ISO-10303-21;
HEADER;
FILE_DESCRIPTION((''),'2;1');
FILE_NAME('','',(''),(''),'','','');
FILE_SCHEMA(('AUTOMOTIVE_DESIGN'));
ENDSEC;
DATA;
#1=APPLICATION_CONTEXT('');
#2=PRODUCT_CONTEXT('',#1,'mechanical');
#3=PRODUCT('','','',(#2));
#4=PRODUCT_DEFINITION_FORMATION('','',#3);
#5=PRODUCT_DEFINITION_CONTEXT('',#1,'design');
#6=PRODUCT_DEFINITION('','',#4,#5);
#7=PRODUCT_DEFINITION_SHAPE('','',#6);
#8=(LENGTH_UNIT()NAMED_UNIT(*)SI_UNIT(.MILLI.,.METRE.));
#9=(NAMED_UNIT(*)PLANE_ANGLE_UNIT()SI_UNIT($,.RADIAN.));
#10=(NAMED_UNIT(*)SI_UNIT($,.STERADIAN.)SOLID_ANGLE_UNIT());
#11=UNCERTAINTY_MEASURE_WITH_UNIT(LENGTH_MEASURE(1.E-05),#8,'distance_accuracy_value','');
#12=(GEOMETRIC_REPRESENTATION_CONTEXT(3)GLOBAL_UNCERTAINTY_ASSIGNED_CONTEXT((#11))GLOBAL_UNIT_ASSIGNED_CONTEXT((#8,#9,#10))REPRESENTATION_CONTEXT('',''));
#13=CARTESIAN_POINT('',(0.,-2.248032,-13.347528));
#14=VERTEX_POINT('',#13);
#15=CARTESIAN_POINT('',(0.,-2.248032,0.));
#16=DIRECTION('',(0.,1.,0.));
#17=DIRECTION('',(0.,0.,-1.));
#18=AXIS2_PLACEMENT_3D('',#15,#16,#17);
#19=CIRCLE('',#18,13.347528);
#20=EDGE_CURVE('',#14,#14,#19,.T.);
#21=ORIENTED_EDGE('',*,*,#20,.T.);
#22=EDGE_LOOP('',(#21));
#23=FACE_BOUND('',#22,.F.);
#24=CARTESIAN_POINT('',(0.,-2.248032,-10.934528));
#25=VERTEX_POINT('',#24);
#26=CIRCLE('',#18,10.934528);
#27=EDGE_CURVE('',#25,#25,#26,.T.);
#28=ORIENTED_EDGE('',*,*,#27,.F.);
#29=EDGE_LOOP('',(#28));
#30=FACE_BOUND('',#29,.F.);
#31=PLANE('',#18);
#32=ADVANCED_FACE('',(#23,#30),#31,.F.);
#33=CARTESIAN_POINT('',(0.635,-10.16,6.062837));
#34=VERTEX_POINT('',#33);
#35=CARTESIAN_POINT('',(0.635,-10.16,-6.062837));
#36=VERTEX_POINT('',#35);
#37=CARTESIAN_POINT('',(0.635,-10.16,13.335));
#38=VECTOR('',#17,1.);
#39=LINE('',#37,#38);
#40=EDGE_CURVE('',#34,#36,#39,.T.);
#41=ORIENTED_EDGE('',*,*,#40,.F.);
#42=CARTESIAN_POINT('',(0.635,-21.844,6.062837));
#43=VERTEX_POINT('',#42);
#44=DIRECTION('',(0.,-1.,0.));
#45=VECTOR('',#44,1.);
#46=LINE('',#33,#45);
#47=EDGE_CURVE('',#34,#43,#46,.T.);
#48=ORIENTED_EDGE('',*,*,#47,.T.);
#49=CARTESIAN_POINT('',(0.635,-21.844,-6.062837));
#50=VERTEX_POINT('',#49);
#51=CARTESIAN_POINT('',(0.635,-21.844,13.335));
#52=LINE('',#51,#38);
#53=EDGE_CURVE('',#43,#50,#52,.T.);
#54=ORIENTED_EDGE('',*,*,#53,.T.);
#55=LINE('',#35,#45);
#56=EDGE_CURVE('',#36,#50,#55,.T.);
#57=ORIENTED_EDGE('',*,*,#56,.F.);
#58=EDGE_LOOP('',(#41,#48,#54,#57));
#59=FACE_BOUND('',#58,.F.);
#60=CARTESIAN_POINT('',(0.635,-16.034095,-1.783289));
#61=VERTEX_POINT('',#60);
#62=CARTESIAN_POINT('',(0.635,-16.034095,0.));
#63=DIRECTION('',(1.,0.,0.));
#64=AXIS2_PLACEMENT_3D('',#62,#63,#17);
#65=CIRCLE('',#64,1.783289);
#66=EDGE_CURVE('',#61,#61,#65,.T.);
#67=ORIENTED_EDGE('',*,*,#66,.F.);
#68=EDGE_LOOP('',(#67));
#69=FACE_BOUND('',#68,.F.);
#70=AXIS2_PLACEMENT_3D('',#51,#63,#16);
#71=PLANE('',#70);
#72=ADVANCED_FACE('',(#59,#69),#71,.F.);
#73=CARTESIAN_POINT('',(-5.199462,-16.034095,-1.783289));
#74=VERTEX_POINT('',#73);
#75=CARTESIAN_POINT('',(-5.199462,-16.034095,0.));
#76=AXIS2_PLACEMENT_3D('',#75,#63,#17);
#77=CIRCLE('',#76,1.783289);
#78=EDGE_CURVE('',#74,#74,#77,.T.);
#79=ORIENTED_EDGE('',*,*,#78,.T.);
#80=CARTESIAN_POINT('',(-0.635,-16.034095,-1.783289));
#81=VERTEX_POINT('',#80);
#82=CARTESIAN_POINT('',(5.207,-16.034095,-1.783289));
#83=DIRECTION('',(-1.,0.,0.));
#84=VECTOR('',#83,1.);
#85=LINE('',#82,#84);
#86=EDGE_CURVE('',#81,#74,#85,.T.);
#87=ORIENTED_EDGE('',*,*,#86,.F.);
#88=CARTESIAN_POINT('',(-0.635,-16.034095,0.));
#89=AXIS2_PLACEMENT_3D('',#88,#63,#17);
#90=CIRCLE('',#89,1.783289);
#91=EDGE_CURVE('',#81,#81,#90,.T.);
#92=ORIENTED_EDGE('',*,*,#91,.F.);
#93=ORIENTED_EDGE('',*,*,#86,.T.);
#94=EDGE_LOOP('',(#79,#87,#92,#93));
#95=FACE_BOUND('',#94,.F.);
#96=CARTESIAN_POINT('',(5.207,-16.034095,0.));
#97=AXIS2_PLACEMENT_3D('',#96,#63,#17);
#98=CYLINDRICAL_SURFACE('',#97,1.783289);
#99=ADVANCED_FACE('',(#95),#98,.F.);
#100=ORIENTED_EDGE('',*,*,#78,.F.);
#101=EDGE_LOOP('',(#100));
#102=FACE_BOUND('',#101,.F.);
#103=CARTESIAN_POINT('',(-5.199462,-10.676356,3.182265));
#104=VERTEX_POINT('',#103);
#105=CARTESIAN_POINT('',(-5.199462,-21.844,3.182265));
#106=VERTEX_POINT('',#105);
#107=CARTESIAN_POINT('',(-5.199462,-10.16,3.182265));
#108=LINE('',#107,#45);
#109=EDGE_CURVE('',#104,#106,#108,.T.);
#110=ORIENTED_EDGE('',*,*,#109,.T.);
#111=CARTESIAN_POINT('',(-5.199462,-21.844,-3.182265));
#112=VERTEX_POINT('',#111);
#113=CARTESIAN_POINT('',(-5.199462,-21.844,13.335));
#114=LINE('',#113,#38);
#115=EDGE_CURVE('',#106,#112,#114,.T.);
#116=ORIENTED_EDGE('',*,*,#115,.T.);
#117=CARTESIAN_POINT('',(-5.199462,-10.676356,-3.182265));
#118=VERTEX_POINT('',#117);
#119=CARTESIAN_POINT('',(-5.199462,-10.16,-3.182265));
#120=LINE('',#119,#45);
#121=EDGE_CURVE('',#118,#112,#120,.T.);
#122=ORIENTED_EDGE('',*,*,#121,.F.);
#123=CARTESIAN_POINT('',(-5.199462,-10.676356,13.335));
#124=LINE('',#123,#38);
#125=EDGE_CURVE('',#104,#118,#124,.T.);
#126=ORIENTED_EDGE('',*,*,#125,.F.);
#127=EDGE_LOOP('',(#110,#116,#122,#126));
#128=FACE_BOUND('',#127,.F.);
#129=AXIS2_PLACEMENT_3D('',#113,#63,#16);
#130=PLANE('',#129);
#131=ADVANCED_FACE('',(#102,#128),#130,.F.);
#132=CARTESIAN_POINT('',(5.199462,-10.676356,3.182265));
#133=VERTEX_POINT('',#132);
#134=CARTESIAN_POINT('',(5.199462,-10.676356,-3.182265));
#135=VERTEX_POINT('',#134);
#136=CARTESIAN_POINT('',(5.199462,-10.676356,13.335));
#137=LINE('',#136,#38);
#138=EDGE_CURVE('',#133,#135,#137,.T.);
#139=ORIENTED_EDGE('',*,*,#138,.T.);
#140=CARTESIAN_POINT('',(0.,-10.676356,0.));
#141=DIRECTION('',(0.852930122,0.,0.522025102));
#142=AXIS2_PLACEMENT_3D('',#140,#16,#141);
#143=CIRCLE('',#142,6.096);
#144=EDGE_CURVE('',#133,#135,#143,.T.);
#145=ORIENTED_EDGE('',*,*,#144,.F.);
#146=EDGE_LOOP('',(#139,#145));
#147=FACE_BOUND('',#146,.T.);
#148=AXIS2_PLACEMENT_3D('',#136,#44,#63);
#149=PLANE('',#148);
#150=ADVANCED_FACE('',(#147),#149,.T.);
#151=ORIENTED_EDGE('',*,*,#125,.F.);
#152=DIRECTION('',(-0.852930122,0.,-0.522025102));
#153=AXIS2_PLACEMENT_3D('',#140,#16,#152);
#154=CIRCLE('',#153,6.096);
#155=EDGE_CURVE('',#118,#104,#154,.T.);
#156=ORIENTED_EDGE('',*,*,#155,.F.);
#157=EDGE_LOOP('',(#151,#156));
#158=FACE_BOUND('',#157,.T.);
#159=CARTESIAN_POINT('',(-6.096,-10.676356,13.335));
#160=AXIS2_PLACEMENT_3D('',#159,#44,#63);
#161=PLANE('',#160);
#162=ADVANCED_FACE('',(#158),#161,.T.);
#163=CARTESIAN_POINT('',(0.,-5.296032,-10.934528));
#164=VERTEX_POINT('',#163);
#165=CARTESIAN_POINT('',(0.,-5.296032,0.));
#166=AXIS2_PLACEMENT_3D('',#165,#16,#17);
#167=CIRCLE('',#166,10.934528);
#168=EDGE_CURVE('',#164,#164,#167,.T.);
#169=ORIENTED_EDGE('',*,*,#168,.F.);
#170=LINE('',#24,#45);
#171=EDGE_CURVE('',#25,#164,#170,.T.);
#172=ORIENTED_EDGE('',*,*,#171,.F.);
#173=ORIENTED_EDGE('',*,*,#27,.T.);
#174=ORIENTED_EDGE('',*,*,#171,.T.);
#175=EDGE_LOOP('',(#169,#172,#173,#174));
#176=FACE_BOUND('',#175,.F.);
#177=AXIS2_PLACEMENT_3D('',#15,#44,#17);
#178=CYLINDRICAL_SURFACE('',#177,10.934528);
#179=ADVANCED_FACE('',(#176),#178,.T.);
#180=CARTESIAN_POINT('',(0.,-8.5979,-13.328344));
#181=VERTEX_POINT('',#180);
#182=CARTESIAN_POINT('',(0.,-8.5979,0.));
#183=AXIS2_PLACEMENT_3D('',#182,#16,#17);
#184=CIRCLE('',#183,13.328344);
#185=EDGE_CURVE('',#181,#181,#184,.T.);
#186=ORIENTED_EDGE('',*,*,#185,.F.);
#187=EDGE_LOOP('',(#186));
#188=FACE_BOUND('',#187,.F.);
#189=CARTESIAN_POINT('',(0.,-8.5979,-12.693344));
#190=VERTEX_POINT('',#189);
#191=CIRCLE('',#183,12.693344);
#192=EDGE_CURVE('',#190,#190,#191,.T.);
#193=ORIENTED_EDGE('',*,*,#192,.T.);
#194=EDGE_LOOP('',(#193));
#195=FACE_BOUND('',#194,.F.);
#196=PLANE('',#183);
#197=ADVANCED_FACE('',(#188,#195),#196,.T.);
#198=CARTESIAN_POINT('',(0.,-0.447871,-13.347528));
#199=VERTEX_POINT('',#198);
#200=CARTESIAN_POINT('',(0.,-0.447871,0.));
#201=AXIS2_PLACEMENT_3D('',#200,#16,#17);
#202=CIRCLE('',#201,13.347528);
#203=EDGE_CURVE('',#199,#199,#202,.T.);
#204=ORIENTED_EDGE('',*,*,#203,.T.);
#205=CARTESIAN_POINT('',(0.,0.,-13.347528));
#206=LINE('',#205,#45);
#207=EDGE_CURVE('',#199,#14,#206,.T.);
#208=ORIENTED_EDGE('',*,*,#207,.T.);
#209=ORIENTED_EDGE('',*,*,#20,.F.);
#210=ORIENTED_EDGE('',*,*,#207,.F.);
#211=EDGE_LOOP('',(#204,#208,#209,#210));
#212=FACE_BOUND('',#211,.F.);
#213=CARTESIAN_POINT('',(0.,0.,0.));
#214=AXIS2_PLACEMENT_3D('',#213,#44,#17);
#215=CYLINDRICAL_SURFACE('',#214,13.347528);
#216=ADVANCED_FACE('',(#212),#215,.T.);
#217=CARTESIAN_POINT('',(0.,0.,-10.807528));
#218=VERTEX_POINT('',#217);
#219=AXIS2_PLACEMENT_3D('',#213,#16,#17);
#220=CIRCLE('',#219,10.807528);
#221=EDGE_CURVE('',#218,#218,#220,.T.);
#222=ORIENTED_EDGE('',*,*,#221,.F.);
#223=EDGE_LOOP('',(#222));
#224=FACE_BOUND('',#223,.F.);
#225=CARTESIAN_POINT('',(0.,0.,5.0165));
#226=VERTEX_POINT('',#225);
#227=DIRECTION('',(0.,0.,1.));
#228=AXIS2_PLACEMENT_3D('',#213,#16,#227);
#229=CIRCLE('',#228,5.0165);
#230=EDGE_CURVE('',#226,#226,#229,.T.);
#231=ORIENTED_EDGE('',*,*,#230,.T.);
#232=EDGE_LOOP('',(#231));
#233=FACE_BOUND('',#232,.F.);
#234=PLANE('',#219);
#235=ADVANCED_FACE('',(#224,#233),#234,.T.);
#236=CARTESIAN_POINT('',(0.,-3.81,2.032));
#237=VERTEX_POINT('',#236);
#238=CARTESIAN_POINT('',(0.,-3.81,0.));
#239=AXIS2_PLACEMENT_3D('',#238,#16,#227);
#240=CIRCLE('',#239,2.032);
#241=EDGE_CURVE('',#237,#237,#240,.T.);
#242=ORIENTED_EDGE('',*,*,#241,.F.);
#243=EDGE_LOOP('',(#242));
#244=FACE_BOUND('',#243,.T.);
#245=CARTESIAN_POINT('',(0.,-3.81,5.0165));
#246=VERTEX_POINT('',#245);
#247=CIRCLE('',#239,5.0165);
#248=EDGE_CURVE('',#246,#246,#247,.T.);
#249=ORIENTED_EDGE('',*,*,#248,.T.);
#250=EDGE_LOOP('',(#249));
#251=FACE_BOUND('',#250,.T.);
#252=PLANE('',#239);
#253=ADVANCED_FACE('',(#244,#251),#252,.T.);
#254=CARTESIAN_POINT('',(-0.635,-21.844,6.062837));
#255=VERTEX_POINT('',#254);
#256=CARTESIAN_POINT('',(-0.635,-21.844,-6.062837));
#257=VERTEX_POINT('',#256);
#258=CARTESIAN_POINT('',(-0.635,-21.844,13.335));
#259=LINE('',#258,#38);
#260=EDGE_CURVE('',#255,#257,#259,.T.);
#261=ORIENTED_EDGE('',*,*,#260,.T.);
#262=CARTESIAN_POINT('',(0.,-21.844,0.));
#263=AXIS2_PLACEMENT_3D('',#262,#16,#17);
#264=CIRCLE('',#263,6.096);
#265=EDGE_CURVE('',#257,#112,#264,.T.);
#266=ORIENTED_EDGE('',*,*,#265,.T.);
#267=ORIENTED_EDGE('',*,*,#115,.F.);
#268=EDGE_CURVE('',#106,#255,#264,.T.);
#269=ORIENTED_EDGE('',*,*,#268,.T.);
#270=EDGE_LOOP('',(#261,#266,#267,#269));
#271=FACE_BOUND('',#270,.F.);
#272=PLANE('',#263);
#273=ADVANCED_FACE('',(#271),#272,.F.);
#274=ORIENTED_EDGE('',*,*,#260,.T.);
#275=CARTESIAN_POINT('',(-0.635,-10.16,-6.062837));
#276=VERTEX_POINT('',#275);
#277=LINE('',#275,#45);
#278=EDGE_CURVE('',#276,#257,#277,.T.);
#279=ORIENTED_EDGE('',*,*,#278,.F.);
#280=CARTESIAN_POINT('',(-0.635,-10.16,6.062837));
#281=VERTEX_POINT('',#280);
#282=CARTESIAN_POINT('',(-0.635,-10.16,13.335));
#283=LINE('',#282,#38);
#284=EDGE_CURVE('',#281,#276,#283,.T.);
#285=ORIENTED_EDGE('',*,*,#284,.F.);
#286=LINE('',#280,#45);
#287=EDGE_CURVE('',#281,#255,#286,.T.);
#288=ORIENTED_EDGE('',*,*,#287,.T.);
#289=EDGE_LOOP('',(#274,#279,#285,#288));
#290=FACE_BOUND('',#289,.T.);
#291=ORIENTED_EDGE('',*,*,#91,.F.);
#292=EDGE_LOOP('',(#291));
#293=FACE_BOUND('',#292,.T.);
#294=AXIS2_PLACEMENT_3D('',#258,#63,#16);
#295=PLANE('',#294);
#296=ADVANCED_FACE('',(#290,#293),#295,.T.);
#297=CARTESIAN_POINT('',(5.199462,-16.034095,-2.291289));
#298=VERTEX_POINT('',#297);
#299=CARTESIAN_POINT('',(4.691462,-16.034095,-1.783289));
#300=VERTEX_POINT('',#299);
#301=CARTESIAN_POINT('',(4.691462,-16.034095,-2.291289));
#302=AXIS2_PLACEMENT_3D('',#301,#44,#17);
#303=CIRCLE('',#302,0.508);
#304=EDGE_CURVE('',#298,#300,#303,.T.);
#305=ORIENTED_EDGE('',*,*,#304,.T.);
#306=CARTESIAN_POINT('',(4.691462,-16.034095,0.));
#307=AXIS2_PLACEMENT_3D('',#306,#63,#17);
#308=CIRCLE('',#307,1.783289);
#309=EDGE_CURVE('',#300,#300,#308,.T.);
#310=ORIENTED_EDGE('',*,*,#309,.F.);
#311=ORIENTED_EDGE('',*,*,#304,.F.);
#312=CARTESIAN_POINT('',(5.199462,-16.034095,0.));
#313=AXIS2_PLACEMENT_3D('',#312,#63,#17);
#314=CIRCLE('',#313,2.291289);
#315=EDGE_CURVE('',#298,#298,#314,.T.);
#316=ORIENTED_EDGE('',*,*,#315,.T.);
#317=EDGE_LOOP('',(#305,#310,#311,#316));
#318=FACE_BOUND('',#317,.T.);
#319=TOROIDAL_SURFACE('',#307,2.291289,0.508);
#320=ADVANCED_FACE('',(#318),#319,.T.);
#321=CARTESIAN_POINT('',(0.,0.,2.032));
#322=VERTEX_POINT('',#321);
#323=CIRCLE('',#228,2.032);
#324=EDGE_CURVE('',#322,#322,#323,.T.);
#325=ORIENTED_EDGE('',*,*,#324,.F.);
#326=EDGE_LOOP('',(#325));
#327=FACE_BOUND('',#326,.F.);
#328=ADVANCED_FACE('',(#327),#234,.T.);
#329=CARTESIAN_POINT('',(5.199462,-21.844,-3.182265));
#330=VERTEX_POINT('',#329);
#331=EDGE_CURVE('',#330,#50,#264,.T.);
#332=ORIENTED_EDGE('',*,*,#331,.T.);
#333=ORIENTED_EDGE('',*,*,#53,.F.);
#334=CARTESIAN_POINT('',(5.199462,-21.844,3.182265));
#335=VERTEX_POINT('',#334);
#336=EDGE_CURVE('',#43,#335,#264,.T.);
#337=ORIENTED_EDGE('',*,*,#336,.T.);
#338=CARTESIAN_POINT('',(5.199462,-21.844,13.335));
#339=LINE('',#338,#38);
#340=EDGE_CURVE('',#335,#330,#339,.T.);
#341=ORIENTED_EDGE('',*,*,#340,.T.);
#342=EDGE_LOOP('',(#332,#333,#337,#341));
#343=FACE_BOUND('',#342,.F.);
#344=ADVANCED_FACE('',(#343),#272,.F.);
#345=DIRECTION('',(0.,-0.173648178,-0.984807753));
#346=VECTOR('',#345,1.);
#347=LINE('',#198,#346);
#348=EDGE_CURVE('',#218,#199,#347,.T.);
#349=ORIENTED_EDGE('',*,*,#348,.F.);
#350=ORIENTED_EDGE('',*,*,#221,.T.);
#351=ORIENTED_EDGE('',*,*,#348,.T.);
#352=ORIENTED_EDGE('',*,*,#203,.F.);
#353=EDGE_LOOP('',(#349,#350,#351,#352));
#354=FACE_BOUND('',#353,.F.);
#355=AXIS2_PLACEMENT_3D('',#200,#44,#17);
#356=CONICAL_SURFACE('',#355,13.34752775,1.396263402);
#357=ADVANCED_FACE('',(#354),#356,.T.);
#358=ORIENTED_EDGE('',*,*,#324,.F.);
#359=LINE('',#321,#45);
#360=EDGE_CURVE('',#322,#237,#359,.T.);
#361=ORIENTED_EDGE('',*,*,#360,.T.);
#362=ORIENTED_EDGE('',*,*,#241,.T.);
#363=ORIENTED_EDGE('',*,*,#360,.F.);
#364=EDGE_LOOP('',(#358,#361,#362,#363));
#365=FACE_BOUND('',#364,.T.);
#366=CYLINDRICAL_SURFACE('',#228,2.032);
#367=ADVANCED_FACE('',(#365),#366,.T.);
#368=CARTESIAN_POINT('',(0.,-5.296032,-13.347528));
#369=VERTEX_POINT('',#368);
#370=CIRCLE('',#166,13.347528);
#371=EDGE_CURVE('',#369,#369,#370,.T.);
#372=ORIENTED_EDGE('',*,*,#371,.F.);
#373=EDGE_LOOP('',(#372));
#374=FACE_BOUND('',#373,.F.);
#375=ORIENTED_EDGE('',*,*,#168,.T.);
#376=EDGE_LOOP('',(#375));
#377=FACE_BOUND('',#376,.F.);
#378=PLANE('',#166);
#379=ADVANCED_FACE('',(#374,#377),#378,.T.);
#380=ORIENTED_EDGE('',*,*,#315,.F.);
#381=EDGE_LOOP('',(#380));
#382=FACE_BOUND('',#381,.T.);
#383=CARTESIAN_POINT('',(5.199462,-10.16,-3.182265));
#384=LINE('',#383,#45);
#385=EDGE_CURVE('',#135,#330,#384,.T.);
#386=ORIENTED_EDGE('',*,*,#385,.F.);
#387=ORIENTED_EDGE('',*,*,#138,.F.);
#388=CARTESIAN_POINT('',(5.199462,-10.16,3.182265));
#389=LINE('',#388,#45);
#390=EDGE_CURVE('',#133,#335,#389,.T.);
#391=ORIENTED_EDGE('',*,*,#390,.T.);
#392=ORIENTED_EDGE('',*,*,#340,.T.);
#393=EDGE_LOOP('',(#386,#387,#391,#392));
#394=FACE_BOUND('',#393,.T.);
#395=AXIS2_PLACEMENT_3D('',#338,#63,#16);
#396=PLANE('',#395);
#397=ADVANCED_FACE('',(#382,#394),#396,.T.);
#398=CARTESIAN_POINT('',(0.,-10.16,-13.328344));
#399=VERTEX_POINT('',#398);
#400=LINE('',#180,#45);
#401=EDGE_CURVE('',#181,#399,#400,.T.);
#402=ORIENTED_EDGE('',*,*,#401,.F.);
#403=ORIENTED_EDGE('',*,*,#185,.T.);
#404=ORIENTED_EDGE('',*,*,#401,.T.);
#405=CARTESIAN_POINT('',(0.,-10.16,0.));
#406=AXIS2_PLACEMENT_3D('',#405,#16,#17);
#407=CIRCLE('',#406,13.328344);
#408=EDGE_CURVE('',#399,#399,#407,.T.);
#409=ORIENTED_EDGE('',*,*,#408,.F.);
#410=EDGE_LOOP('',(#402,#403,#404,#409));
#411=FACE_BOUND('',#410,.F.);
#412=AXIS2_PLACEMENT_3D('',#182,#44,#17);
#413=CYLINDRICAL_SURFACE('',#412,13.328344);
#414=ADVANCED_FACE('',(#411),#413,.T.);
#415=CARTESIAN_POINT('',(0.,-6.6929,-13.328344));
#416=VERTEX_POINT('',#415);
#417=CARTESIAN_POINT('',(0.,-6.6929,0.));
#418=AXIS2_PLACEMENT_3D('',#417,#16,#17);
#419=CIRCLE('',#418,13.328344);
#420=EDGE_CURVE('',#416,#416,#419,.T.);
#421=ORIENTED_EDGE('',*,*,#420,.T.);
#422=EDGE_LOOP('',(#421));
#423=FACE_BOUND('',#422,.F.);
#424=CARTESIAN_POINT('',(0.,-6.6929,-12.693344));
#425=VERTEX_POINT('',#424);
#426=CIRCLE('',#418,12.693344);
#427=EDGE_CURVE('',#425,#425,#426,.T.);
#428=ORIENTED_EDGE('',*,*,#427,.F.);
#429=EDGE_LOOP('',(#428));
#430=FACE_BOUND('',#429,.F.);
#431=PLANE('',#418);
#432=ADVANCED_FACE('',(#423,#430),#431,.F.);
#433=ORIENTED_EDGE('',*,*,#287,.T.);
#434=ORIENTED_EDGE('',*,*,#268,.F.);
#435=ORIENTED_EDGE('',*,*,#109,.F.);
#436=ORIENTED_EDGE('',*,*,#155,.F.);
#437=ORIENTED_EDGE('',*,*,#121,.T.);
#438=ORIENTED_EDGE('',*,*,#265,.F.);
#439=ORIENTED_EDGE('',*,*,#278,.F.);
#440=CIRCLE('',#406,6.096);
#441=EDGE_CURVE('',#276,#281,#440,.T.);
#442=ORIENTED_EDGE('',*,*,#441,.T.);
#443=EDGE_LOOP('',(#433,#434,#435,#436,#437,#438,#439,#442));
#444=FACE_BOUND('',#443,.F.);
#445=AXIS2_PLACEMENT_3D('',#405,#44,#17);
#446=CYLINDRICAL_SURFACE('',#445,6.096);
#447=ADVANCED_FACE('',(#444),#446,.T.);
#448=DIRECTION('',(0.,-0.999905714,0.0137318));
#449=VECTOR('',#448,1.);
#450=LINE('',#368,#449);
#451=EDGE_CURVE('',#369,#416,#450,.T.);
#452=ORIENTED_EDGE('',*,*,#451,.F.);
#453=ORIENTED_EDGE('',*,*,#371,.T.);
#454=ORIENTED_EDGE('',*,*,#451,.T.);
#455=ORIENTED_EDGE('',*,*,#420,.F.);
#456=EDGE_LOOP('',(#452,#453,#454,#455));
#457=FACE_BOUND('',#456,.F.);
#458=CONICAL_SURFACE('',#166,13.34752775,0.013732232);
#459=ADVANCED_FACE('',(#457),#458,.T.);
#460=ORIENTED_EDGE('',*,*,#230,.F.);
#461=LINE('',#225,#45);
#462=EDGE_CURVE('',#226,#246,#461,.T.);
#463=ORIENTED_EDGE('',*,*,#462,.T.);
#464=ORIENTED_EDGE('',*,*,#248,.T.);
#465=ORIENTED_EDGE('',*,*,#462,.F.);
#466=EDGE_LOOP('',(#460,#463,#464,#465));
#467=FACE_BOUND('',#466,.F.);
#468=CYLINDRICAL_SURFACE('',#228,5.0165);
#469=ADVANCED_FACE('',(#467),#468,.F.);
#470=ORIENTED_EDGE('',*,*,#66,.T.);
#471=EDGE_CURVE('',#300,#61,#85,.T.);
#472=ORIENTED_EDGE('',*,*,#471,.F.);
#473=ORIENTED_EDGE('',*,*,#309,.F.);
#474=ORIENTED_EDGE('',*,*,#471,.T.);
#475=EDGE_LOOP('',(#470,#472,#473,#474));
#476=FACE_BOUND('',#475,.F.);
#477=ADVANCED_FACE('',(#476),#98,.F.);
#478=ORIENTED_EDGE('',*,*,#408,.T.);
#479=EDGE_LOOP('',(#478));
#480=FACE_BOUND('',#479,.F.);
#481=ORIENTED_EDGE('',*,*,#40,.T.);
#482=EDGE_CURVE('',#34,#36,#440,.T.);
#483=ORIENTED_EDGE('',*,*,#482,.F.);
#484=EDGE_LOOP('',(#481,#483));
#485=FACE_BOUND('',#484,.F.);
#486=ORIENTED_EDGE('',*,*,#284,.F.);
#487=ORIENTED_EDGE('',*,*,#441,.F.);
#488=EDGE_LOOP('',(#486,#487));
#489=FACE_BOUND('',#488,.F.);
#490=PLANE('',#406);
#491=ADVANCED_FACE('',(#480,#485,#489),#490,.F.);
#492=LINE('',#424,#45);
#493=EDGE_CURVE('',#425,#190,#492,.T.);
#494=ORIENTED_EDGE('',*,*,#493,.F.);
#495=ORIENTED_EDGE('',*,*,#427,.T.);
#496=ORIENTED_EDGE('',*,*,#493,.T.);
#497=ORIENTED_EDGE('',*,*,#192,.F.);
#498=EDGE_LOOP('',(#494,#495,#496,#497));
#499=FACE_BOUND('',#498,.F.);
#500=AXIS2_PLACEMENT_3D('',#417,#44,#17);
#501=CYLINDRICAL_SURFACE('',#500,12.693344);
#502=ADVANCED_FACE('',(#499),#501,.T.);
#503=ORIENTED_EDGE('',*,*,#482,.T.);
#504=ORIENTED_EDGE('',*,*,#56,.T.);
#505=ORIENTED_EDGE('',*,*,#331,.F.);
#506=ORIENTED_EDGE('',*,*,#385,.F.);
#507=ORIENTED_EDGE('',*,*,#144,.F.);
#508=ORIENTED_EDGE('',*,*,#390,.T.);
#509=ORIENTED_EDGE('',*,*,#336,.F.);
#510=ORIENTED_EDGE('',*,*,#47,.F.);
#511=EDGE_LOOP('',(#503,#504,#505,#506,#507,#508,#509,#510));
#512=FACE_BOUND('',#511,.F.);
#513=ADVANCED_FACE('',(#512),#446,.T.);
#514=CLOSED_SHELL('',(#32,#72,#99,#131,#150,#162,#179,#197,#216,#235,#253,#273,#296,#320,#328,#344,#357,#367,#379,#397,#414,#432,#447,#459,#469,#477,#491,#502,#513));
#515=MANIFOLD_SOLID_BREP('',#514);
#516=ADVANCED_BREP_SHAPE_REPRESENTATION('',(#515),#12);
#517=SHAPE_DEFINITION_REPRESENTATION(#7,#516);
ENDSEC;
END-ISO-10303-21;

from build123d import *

# Parameters (mm, degrees)
CHAMFER1_SIZE      = 2.54
CHAMFER1_SIZE2     = 0.447870531
SKETCH3_W          = 1.27
SKETCH3_H          = 11.684
SKETCH3_W_2        = 0.896537977
SKETCH3_H_2        = 11.167643875
CUT_EXTRUDE2_DEPTH = 25.4
SKETCH4_R          = 1.783288569
CUT_EXTRUDE3_DEPTH = 32.616251091
FILLET1_R          = 0.508
SKETCH5_R          = 5.0165
SKETCH5_R_2        = 2.032
CUT_EXTRUDE4_DEPTH = 3.81


with BuildPart() as part:
    # Sketch1 → Revolve1 (revolve)
    with BuildSketch(Plane.XY, mode=Mode.PRIVATE) as revolve1_sk:
        Polygon((0, 0), (13.34752775, 0), (13.34752775, -2.248031717), (10.93452775, -2.248031717), (10.93452775, -5.296031717), (13.34752775, -5.296031717), (13.328344425, -6.6929), (12.693344425, -6.6929), (12.693344425, -8.5979), (13.328344425, -8.5979), (13.328344425, -10.16), (6.096, -10.16), (6.096, -21.844), (0, -21.844), (0, -10.16), align=None)
    revolve(revolve1_sk.sketch.rotate(Axis((0, 0, 0), (0, 1, 0)), 90), axis=Axis((0, 0, 0), (0, 1, 0)))

    # Chamfer1
    chamfer1_edges = [part.edges().sort_by_distance(p)[0] for p in [
        (0, 0, 13.34752775),
    ]]
    chamfer1_side = [part.faces().sort_by_distance(p)[0] for p in [
        (0, 0, 0),
    ]]
    chamfer(chamfer1_edges, length=CHAMFER1_SIZE, length2=CHAMFER1_SIZE2, reference=chamfer1_side[0])

    # Sketch3 → Cut-Extrude2 (cut)
    with BuildSketch(Plane.XY.offset(13.335)):
        with Locations((0, -16.002)):
            Rectangle(SKETCH3_W, SKETCH3_H)
        with Locations((5.647731012, -16.260178062)):
            Rectangle(SKETCH3_W_2, SKETCH3_H_2)
        with Locations((-5.647731012, -16.260178062)):
            Rectangle(SKETCH3_W_2, SKETCH3_H_2)
    extrude(amount=-CUT_EXTRUDE2_DEPTH, mode=Mode.SUBTRACT)

    # Sketch4 → Cut-Extrude3 (cut, through all)
    with BuildSketch(Plane(origin=(5.207, 0, 0), x_dir=(0, 0, -1), z_dir=(1, 0, 0))):
        with Locations((0, -16.034094945)):
            Circle(SKETCH4_R)
    extrude(amount=-CUT_EXTRUDE3_DEPTH, mode=Mode.SUBTRACT)

    # Fillet1
    fillet1_edges = [part.edges().sort_by_distance(p)[0] for p in [
        (5.199462023, -16.034094945, 1.783288569),
    ]]
    fillet(fillet1_edges, radius=FILLET1_R)

    # Sketch5 → Cut-Extrude4 (cut)
    with BuildSketch(Plane(origin=(0, 0, 0), x_dir=(1, 0, 0), z_dir=(0, 1, 0))):
        with Locations(Location((0, 0, 0), (0, 0, 270))):
            Circle(SKETCH5_R)
        with Locations(Location((0, 0, 0), (0, 0, 270))):
            Circle(SKETCH5_R_2, mode=Mode.SUBTRACT)
    extrude(amount=-CUT_EXTRUDE4_DEPTH, mode=Mode.SUBTRACT)


solid = part.part
